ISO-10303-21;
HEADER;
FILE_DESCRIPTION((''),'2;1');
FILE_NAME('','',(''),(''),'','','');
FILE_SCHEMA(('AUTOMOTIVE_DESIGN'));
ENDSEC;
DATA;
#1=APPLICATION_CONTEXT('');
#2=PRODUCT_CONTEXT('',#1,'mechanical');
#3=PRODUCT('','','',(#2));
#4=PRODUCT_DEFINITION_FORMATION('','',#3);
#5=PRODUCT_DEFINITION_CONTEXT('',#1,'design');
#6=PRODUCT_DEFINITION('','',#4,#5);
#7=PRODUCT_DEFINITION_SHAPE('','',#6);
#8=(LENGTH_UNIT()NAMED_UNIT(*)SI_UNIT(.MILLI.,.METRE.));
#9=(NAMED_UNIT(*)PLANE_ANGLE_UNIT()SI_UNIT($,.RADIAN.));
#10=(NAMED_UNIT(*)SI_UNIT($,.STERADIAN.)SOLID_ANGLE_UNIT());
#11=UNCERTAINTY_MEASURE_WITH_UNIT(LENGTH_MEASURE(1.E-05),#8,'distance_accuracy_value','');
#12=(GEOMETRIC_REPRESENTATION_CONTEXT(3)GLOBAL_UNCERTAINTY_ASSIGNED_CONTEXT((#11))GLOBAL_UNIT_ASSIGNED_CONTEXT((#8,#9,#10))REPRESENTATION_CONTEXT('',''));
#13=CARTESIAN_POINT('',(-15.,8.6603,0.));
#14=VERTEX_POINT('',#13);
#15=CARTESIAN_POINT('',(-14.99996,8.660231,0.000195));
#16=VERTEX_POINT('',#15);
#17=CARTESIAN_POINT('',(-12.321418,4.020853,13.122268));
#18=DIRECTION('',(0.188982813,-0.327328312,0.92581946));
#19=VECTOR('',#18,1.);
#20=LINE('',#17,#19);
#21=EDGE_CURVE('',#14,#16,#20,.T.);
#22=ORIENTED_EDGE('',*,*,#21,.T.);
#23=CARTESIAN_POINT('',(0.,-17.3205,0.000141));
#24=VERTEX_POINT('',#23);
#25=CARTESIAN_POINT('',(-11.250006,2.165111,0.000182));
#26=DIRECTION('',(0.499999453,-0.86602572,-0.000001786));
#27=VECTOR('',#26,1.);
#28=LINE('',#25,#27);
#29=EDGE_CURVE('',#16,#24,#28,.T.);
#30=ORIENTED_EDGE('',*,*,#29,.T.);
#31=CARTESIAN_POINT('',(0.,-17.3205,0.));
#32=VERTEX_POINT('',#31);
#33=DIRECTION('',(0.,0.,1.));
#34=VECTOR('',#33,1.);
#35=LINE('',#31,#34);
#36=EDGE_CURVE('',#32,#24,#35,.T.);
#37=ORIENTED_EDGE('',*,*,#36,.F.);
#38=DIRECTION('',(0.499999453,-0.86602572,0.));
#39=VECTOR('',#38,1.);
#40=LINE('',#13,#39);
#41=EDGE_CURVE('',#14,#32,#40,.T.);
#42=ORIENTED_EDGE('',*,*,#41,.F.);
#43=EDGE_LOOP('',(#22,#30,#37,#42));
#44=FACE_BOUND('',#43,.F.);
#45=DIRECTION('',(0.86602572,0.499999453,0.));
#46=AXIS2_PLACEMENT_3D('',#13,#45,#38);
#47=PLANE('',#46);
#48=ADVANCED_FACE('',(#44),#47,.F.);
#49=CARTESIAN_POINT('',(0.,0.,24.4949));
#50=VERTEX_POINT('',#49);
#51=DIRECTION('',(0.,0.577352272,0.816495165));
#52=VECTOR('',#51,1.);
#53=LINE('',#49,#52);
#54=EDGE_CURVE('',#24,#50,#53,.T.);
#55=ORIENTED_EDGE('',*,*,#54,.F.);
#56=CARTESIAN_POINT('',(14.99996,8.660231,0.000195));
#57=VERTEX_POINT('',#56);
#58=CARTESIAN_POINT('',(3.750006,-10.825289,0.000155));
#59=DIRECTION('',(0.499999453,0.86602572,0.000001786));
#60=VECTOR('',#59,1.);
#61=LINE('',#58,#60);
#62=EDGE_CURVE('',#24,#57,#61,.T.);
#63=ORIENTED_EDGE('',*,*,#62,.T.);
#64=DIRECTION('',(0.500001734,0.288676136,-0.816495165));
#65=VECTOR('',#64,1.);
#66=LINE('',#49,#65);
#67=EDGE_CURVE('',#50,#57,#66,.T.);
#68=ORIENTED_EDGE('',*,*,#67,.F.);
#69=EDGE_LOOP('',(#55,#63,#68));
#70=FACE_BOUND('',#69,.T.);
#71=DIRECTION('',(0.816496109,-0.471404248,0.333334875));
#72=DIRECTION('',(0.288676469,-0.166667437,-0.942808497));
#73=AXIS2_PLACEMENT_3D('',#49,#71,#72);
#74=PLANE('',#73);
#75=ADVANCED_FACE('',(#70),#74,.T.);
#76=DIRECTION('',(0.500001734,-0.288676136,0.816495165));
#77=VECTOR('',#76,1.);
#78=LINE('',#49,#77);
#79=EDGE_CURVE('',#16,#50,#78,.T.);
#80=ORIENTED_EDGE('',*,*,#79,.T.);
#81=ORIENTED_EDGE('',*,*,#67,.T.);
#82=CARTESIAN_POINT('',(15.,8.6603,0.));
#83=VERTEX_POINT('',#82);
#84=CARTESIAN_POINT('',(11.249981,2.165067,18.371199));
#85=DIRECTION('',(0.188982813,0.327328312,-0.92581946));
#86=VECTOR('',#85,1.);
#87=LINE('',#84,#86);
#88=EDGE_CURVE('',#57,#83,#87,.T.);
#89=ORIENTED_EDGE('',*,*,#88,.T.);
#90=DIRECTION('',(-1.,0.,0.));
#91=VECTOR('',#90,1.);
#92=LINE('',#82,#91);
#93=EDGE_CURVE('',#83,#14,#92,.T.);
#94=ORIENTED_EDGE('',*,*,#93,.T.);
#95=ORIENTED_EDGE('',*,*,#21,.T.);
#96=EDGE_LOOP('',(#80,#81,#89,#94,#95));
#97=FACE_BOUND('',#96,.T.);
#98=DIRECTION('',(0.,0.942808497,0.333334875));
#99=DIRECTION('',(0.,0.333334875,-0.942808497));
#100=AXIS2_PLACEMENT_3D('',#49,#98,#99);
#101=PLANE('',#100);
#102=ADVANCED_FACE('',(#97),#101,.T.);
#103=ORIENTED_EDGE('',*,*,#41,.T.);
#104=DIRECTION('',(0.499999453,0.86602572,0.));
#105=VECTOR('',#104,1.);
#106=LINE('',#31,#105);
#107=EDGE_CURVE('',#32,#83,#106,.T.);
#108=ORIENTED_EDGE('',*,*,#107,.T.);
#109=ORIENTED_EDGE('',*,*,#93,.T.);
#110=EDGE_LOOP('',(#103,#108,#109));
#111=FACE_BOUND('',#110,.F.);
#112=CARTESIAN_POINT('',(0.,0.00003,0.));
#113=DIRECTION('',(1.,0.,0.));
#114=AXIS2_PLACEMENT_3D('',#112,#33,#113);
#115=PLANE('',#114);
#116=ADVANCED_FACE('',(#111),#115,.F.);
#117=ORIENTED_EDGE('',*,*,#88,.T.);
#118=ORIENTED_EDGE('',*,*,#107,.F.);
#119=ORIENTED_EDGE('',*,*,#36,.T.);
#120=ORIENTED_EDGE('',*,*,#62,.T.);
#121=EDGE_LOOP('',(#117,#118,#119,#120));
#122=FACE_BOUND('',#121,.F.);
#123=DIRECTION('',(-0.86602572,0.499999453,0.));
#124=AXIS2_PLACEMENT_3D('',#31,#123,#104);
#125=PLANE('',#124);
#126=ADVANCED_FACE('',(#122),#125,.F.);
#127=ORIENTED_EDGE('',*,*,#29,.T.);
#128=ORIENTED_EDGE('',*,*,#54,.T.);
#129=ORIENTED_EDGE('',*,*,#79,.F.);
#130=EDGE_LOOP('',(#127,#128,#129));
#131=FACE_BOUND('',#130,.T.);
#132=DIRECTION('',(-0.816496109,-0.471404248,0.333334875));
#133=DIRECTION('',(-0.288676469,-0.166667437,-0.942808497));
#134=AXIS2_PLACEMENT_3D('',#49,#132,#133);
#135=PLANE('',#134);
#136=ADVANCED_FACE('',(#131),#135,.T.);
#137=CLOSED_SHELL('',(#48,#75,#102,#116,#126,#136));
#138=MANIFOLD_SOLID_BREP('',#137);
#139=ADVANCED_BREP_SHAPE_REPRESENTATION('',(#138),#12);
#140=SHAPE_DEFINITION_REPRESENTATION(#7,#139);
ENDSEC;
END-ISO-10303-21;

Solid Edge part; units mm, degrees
sketch "Sketch1" plane through (0, 0, 0) normal (0, 0, 1) x (1, 0, 0)
  line L0 (-15, 8.6603) -> (0, -17.3205)
  line L1 (0, -17.3205) -> (15, 8.6603)
  line L2 (15, 8.6603) -> (-15, 8.6603)
extrude "Protrusion1" add sketch "Sketch1" along normal up to vertex (24.4949 mm away)
sketch "Sketch2" plane through (0, 0, 0) normal (1, 0, 0) x (0, 1, 0)
  line L0 (8.6603, 24.4949) -> (0, 24.4949)
  line L1 (0, 24.4949) -> (8.6603, 0)
  line L2 (8.6603, 0) -> (8.6603, 24.4949)
extrude "Cutout1" cut sketch "Sketch2" along normal mid plane 30
pattern_circular "Pattern1" count 3 over 360 about axis through (0, 0, 24.4949) along (0, 0, 1) of "Cutout1"
